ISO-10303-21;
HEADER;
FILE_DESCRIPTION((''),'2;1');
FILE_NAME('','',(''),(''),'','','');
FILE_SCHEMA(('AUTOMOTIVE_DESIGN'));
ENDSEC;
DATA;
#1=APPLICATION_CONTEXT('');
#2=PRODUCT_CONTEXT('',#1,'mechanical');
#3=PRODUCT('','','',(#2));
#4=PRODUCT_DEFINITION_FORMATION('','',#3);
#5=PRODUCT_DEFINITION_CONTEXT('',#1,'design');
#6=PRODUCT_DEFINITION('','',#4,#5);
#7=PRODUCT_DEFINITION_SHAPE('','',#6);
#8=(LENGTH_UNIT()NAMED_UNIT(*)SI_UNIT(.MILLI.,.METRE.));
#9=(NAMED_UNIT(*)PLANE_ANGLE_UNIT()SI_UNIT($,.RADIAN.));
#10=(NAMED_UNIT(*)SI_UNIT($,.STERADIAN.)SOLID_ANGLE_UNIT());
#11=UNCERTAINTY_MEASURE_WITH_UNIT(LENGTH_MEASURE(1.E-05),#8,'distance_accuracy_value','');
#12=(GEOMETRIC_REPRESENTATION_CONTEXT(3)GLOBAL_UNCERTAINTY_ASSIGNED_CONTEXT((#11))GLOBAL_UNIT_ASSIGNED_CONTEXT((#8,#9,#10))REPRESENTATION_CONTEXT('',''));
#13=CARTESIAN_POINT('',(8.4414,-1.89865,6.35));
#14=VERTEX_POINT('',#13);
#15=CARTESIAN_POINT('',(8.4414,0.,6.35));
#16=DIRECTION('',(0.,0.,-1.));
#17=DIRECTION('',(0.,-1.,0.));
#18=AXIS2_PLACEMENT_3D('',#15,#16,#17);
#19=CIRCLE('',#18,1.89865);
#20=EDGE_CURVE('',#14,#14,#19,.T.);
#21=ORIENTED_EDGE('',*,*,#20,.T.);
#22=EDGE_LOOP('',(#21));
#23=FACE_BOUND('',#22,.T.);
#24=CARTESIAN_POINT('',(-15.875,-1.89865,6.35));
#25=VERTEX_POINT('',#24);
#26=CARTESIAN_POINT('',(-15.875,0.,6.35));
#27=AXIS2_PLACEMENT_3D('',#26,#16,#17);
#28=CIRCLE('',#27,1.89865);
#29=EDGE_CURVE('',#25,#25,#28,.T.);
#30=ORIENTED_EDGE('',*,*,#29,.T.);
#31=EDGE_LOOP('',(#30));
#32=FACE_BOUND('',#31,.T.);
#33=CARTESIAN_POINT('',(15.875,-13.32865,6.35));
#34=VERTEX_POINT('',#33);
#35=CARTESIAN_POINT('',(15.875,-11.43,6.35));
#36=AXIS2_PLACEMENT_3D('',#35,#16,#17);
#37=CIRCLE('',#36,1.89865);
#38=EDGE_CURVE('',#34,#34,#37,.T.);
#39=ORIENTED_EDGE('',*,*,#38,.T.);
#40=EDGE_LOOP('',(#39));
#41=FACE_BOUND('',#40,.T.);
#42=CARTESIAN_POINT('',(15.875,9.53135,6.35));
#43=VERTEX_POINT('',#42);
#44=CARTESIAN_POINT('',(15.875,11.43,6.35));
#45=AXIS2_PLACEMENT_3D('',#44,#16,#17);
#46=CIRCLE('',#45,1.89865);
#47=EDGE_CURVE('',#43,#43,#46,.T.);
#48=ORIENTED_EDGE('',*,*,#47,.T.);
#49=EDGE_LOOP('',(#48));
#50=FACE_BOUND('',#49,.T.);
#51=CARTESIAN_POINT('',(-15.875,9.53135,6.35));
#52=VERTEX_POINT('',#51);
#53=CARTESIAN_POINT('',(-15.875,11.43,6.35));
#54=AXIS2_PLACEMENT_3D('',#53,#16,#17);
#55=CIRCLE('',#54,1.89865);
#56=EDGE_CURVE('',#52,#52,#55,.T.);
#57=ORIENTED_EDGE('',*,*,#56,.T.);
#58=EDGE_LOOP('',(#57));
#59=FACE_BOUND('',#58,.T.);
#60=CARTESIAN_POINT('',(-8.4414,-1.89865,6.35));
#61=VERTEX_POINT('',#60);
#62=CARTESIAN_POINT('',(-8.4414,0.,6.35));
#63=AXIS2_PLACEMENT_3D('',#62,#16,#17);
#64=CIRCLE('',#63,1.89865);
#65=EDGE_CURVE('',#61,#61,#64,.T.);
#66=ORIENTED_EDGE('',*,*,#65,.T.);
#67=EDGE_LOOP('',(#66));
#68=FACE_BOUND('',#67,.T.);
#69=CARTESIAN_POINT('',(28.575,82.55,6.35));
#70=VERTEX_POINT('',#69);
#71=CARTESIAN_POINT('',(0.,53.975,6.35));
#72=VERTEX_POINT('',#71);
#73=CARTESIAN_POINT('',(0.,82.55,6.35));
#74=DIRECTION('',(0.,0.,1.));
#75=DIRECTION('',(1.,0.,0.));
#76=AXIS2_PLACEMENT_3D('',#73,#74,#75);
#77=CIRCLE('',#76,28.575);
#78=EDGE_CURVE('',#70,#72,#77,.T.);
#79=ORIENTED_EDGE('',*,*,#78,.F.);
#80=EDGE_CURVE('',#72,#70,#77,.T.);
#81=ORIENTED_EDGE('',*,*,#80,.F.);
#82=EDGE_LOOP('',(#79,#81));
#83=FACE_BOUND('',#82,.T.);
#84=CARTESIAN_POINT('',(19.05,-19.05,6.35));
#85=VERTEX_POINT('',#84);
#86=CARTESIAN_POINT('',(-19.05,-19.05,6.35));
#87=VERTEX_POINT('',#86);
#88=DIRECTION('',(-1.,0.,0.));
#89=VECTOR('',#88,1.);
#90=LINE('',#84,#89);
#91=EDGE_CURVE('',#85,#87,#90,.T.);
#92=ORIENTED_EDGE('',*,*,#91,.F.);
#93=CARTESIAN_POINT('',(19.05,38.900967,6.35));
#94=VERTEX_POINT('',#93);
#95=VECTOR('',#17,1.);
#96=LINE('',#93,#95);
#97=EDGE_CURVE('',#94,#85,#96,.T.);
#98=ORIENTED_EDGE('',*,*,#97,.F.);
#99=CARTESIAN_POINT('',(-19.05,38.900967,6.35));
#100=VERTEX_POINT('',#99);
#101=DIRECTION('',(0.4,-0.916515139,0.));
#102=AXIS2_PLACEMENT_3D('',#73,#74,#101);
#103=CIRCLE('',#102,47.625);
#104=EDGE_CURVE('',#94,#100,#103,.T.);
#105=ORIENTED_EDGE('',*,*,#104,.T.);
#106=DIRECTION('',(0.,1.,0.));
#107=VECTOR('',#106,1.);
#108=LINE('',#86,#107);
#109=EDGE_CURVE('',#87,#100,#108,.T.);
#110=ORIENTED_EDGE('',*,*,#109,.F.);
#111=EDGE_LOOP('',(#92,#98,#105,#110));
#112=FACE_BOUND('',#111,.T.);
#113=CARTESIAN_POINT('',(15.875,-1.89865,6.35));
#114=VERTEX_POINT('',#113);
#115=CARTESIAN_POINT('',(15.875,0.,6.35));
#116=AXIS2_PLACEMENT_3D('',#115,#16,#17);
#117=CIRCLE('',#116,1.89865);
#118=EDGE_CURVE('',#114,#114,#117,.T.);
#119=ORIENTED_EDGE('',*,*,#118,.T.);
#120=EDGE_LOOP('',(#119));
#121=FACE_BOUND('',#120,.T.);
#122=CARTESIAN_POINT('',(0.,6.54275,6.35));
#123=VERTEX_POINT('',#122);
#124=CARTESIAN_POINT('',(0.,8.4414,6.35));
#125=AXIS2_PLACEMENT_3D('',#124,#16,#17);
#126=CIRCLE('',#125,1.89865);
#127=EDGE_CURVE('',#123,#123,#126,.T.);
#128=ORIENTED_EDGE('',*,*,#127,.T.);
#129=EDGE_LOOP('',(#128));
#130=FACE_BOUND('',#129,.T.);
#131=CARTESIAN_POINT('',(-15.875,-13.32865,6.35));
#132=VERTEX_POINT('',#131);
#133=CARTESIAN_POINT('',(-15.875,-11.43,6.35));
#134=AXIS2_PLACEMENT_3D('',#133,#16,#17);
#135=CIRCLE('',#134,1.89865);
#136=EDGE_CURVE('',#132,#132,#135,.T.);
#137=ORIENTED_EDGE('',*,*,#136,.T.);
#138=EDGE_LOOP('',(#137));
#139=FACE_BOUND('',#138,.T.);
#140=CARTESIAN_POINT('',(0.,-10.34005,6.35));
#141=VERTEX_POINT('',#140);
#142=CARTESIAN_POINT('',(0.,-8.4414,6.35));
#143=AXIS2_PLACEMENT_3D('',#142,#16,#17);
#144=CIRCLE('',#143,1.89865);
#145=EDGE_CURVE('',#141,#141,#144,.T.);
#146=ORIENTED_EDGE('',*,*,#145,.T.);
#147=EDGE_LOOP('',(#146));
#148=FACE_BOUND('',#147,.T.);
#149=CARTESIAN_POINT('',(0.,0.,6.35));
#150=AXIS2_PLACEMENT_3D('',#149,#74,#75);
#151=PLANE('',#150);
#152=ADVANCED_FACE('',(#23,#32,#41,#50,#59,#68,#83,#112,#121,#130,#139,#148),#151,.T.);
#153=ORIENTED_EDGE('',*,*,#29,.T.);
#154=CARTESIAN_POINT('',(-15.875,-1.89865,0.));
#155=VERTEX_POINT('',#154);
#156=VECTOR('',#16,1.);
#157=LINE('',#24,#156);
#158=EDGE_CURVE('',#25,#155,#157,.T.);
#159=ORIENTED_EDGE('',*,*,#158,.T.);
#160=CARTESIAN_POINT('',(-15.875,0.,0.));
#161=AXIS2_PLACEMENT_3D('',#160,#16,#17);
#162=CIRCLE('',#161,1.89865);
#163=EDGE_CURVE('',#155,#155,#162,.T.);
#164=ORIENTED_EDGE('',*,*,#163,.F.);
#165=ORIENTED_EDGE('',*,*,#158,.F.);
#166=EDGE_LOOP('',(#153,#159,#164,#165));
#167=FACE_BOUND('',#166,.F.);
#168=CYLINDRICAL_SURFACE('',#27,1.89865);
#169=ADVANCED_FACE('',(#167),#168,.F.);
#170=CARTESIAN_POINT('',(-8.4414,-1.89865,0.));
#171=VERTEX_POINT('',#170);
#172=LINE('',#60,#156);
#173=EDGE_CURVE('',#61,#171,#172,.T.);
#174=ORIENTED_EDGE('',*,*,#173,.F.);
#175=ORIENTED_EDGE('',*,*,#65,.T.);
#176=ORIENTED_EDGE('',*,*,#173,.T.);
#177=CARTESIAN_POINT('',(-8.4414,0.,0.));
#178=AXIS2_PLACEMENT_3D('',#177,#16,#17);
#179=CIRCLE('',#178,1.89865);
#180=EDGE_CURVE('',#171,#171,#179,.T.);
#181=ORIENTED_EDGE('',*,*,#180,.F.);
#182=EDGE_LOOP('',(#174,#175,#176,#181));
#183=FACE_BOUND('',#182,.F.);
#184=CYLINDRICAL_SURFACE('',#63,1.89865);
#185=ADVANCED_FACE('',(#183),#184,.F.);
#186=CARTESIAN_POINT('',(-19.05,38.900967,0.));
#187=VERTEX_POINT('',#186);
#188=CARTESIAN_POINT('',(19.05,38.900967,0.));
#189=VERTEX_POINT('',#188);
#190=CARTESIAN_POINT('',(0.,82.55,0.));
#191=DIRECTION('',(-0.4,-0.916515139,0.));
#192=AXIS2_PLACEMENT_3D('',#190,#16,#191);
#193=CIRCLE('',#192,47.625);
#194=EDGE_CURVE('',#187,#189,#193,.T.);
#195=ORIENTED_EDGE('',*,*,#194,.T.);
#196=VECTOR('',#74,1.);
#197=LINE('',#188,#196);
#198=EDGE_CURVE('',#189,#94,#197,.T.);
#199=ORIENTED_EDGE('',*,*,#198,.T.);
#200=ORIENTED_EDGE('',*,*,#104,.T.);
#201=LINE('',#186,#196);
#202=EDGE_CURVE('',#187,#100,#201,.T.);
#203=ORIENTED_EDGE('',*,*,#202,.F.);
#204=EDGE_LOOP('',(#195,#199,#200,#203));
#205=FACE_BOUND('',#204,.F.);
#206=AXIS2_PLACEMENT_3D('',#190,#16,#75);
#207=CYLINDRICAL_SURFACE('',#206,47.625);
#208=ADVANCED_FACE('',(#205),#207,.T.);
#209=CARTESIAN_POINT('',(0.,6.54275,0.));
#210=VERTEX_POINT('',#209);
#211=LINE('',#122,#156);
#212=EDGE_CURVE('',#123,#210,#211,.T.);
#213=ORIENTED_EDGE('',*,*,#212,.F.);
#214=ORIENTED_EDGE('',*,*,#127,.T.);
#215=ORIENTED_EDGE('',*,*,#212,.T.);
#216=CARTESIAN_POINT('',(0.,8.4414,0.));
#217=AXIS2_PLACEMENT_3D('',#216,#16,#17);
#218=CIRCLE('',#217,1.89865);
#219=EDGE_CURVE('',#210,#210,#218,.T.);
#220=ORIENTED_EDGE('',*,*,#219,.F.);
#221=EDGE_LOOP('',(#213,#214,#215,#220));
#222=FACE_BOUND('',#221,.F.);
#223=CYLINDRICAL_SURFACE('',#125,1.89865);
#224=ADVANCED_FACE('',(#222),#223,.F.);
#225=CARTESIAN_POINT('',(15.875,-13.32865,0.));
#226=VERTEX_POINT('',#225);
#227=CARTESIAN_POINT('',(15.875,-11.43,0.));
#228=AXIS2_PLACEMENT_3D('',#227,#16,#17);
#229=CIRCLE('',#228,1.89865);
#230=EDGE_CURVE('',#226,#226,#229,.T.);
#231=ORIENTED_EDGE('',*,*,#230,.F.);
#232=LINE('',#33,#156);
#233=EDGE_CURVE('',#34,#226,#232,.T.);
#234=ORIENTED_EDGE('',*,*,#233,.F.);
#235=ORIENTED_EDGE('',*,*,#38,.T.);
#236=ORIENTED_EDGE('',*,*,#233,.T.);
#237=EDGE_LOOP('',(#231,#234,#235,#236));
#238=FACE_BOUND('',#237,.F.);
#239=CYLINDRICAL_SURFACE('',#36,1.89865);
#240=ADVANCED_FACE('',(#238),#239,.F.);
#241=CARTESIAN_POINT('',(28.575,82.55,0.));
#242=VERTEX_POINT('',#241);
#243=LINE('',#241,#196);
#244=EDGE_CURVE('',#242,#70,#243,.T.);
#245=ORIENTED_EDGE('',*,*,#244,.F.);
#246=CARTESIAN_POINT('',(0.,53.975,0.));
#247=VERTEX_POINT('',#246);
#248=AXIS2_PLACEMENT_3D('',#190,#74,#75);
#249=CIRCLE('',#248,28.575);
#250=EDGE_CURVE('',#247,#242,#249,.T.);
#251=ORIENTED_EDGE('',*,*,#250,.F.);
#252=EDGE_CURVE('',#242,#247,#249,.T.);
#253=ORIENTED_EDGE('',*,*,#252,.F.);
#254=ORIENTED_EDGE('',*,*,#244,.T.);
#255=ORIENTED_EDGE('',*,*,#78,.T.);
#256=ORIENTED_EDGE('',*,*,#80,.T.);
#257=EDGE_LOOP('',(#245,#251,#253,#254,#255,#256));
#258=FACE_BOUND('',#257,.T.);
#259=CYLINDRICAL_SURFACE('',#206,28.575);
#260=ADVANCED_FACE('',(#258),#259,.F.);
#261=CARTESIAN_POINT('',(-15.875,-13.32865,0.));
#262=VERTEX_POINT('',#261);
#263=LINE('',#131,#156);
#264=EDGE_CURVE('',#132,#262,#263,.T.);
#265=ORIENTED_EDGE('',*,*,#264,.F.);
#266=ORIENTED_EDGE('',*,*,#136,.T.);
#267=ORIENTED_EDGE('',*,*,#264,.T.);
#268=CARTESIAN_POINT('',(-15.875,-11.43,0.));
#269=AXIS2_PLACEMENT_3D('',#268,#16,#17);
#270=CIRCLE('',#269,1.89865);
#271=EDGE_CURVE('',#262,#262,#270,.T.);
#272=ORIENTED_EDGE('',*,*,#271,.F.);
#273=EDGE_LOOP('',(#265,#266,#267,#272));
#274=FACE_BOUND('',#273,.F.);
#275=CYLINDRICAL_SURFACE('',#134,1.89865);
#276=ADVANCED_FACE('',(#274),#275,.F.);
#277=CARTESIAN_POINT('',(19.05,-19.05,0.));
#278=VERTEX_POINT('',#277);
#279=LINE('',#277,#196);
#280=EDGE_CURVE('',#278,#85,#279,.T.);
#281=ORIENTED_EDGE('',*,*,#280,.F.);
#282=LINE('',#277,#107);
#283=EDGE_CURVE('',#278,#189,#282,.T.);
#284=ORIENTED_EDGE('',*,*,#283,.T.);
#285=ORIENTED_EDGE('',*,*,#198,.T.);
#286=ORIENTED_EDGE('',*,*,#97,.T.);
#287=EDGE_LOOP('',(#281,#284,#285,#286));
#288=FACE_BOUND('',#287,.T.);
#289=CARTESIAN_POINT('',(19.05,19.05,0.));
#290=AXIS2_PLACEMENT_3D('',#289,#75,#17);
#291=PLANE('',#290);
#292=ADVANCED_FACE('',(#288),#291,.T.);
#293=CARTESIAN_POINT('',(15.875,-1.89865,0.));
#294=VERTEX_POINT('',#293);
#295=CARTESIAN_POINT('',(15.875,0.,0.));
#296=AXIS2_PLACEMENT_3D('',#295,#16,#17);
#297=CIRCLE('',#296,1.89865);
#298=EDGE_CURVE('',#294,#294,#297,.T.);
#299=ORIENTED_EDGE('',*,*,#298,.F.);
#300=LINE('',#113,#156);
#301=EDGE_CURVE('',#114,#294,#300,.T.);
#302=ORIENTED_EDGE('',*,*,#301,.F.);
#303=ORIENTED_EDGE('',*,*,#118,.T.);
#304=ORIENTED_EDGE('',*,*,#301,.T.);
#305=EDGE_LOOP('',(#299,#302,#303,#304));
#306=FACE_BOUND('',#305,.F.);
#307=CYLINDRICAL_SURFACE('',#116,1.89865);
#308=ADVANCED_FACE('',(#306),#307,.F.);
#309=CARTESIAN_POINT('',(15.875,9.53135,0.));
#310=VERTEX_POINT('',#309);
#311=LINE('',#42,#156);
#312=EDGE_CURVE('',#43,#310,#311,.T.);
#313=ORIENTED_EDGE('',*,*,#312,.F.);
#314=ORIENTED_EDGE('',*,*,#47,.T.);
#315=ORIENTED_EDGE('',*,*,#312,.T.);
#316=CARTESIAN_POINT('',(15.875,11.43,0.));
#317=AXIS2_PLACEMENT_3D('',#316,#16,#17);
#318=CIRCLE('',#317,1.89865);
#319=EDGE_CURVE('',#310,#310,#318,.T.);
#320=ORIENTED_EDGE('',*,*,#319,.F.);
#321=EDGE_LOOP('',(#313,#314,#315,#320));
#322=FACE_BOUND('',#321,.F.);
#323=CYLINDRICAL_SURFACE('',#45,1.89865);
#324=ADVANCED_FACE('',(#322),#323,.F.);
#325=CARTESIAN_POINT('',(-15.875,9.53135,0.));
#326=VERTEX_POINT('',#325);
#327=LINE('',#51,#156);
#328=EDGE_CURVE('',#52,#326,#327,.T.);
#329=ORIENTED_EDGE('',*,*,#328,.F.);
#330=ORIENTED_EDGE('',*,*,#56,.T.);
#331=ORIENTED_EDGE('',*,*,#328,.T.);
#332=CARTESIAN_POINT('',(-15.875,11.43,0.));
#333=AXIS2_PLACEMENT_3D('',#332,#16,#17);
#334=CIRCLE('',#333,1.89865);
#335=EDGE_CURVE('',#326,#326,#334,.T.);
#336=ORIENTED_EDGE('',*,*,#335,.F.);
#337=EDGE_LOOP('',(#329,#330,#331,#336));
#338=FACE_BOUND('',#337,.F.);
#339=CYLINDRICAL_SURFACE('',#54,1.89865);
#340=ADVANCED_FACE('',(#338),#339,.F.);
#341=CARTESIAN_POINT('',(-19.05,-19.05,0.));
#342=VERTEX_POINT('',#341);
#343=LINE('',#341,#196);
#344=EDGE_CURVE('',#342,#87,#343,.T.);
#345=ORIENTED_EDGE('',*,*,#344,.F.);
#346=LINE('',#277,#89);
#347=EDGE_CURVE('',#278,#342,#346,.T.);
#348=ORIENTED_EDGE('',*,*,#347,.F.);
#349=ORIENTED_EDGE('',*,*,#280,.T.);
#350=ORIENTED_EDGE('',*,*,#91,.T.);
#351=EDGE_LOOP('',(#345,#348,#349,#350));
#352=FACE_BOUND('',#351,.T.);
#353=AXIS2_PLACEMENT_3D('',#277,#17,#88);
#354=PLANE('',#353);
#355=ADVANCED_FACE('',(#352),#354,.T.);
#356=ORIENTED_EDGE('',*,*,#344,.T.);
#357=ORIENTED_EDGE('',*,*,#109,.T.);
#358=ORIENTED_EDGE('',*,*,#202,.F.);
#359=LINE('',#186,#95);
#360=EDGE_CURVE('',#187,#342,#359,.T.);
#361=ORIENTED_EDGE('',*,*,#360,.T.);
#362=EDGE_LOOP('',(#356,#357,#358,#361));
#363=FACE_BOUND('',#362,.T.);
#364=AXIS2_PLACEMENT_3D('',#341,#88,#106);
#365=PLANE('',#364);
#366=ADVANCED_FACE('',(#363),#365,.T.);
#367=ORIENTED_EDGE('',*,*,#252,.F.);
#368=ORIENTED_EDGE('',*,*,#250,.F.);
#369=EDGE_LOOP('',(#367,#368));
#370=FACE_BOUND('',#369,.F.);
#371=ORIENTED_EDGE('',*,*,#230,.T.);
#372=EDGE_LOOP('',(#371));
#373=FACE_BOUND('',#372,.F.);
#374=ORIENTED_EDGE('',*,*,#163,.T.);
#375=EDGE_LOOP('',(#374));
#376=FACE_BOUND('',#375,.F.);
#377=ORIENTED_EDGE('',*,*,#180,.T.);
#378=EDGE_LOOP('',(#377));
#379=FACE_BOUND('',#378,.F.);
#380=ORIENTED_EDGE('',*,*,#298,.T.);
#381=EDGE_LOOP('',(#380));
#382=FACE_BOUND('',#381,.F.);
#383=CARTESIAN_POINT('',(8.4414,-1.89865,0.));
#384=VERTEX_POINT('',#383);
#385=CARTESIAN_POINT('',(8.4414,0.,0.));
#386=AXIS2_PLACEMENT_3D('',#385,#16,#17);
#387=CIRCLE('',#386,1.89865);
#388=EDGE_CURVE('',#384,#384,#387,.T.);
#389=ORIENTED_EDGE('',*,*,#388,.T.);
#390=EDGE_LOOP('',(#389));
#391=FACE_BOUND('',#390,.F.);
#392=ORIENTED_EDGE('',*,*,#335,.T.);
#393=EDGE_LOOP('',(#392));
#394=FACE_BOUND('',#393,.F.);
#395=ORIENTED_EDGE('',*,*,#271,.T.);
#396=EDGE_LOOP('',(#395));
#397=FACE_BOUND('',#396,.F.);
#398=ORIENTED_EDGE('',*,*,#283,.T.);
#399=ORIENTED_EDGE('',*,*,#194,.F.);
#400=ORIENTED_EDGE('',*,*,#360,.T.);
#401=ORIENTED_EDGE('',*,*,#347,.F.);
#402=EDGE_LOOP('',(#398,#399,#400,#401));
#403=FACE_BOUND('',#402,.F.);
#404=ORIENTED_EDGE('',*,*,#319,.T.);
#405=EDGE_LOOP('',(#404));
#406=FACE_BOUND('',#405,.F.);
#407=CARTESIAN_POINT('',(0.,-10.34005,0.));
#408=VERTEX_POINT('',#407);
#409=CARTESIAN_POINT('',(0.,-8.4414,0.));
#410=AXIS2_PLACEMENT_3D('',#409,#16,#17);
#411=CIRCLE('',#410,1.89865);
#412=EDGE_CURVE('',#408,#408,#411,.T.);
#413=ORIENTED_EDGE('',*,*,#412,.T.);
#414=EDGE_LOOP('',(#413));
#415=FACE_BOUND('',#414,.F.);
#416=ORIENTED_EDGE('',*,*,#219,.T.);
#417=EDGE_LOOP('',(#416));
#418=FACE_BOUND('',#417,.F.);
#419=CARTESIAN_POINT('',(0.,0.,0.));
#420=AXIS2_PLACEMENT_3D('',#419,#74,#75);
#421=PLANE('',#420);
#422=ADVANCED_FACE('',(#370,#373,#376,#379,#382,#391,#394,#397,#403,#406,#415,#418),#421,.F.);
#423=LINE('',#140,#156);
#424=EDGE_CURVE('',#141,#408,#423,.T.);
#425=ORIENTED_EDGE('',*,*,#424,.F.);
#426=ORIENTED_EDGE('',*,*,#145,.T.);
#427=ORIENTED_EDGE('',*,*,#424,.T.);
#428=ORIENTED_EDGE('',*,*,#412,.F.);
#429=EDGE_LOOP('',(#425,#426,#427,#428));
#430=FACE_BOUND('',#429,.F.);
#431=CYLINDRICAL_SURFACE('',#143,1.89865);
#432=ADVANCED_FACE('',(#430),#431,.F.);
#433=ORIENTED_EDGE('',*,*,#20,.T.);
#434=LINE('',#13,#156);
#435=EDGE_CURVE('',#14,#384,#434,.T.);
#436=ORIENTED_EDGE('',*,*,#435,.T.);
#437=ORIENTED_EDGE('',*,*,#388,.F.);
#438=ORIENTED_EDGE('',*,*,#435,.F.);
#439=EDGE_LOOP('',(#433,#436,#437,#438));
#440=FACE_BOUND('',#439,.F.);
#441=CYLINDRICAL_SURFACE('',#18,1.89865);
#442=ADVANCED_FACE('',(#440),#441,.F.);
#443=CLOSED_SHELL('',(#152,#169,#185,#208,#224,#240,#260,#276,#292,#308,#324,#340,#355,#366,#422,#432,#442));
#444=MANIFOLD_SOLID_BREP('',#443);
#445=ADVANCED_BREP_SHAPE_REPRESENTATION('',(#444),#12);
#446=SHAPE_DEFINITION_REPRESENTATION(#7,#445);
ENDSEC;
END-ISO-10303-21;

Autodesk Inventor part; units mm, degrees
ref_plane "YZ Plane" through (0, 0, 0) normal (1, 0, 0) x (0, 1, 0)
ref_plane "XZ Plane" through (0, 0, 0) normal (0, 1, 0) x (-1, 0, 0)
ref_plane "XY Plane" through (0, 0, 0) normal (0, 0, 1) x (1, 0, 0)
sketch "Sketch1" plane through (0, 0, 0) normal (0, 0, 1) x (1, 0, 0)
  line L0 (19.05, -19.05) -> (-19.05, -19.05)
  line L1 (-19.05, -19.05) -> (-19.05, 19.05)
  line L2 (-19.05, 19.05) -> (19.05, 19.05)
  line L3 (19.05, 19.05) -> (19.05, -19.05)
  line L4 (19.05, -19.05) -> (-19.05, 19.05) construction
  line L5 (-19.05, -19.05) -> (19.05, 19.05) construction
  line L6 (-19.05, 19.05) -> (19.05, 19.05)
  line L7 (19.05, 19.05) -> (19.05, 44.45)
  line L8 (19.05, 44.45) -> (-19.05, 44.45)
  line L9 (-19.05, 44.45) -> (-19.05, 19.05)
  line L10 (0, 19.05) -> (0, 82.55)
  circle A0 centre (0, 82.55) radius 47.625
  circle A1 centre (0, 82.55) radius 28.575
  point P0 (0, 0)
  dimension "d0" = 38.1
  dimension "d1" = 38.1
  dimension "d2" = 25.4
  dimension "d3" = 63.5
  dimension "d4" = 95.25
  dimension "d5" = 57.15
extrude "Extrusion1" add sketch "Sketch1" along normal blind 6.35
sketch "Sketch2" plane through (0, 0, 6.35) normal (0, 0, 1) x (1, 0, 0)
  circle A0 centre (0, 82.55) radius 28.575 construction
  arc A1 (19.05, 38.901) -> (-19.05, 38.901) centre (0, 82.55) ccw construction
  line L0 (-19.05, 38.901) -> (-19.05, -19.05) construction
  line L1 (-19.05, -19.05) -> (19.05, -19.05) construction
  line L2 (19.05, -19.05) -> (19.05, 38.901) construction
  line L3 (-19.05, -19.05) -> (19.05, -19.05) construction
  line L4 (19.05, -19.05) -> (19.05, 19.05) construction
  line L5 (19.05, 19.05) -> (-19.05, 19.05) construction
  line L6 (-19.05, 19.05) -> (-19.05, -19.05) construction
  line L7 (15.875, -11.43) -> (-15.875, -11.43) construction
  line L8 (-15.875, -11.43) -> (-15.875, 11.43) construction
  line L9 (-15.875, 11.43) -> (15.875, 11.43) construction
  line L10 (15.875, 11.43) -> (15.875, -11.43) construction
  line L11 (15.875, -11.43) -> (-15.875, 11.43) construction
  line L12 (-15.875, -11.43) -> (15.875, 11.43) construction
  line L13 (11.43, -15.875) -> (-11.43, -15.875) construction
  line L14 (-11.43, -15.875) -> (-11.43, 15.875) construction
  line L15 (-11.43, 15.875) -> (11.43, 15.875) construction
  line L16 (11.43, 15.875) -> (11.43, -15.875) construction
  line L17 (11.43, -15.875) -> (-11.43, 15.875) construction
  line L18 (-11.43, -15.875) -> (11.43, 15.875) construction
  line L19 (0, -8.4414) -> (8.4414, 0) construction
  line L20 (8.4414, 0) -> (0, 8.4414) construction
  line L21 (0, 8.4414) -> (-8.4414, 0) construction
  line L22 (-8.4414, 0) -> (0, -8.4414) construction
  line L23 (-5.969, -5.969) -> (5.969, 5.969) construction
  line L24 (5.969, -5.969) -> (-5.969, 5.969) construction
  line L25 (-8.4414, -8.4414) -> (8.4414, -8.4414) construction
  line L26 (8.4414, -8.4414) -> (8.4414, 8.4414) construction
  line L27 (8.4414, 8.4414) -> (-8.4414, 8.4414) construction
  line L28 (-8.4414, 8.4414) -> (-8.4414, -8.4414) construction
  line L29 (-8.4414, -8.4414) -> (8.4414, 8.4414) construction
  line L30 (8.4414, -8.4414) -> (-8.4414, 8.4414) construction
  point P0 (0, 0)
  point P1 (0, 8.4414)
  point P2 (8.4414, 0)
  point P3 (-15.875, 0)
  point P4 (15.875, 0)
  dimension "d8" = 38.1
  dimension "d9" = 38.1
  dimension "d10" = 31.75
  dimension "d11" = 22.86
  dimension "d12" = 22.86
  dimension "d13" = 31.75
  dimension "d14" = 11.938
  dimension "d15" = 11.938
  dimension "d16" = 16.8829
  dimension "d17" = 16.8829
  dimension "d18" = 4.445
  dimension "d19" = 7.4336
  dimension "d20" = 5.969
  dimension "d21" = 5.969
  dimension "d22" = 4.445
  dimension "d23" = 7.4336
  dimension "d24" = 9.906
  dimension "d25" = 9.906
  dimension "d26" = 21.844
  dimension "d27" = 21.844
  dimension "d28" = 3.175
  dimension "d29" = 27.4914
hole "Hole1" at (-15.875, 11.43, 6.35) at (-15.875, 0, 6.35) at (-15.875, -11.43, 6.35) at (15.875, -11.43, 6.35) at (15.875, 0, 6.35) at (15.875, 11.43, 6.35) at (0, 8.4414, 6.35) at (0, -8.4414, 6.35) at (8.4414, 0, 6.35) at (-8.4414, 0, 6.35) direction (0, 0, -1) diameter 3.7973 end through all
properties part number "goniometer_stage_top_v01" material "Stainless Steel AISI 304"
